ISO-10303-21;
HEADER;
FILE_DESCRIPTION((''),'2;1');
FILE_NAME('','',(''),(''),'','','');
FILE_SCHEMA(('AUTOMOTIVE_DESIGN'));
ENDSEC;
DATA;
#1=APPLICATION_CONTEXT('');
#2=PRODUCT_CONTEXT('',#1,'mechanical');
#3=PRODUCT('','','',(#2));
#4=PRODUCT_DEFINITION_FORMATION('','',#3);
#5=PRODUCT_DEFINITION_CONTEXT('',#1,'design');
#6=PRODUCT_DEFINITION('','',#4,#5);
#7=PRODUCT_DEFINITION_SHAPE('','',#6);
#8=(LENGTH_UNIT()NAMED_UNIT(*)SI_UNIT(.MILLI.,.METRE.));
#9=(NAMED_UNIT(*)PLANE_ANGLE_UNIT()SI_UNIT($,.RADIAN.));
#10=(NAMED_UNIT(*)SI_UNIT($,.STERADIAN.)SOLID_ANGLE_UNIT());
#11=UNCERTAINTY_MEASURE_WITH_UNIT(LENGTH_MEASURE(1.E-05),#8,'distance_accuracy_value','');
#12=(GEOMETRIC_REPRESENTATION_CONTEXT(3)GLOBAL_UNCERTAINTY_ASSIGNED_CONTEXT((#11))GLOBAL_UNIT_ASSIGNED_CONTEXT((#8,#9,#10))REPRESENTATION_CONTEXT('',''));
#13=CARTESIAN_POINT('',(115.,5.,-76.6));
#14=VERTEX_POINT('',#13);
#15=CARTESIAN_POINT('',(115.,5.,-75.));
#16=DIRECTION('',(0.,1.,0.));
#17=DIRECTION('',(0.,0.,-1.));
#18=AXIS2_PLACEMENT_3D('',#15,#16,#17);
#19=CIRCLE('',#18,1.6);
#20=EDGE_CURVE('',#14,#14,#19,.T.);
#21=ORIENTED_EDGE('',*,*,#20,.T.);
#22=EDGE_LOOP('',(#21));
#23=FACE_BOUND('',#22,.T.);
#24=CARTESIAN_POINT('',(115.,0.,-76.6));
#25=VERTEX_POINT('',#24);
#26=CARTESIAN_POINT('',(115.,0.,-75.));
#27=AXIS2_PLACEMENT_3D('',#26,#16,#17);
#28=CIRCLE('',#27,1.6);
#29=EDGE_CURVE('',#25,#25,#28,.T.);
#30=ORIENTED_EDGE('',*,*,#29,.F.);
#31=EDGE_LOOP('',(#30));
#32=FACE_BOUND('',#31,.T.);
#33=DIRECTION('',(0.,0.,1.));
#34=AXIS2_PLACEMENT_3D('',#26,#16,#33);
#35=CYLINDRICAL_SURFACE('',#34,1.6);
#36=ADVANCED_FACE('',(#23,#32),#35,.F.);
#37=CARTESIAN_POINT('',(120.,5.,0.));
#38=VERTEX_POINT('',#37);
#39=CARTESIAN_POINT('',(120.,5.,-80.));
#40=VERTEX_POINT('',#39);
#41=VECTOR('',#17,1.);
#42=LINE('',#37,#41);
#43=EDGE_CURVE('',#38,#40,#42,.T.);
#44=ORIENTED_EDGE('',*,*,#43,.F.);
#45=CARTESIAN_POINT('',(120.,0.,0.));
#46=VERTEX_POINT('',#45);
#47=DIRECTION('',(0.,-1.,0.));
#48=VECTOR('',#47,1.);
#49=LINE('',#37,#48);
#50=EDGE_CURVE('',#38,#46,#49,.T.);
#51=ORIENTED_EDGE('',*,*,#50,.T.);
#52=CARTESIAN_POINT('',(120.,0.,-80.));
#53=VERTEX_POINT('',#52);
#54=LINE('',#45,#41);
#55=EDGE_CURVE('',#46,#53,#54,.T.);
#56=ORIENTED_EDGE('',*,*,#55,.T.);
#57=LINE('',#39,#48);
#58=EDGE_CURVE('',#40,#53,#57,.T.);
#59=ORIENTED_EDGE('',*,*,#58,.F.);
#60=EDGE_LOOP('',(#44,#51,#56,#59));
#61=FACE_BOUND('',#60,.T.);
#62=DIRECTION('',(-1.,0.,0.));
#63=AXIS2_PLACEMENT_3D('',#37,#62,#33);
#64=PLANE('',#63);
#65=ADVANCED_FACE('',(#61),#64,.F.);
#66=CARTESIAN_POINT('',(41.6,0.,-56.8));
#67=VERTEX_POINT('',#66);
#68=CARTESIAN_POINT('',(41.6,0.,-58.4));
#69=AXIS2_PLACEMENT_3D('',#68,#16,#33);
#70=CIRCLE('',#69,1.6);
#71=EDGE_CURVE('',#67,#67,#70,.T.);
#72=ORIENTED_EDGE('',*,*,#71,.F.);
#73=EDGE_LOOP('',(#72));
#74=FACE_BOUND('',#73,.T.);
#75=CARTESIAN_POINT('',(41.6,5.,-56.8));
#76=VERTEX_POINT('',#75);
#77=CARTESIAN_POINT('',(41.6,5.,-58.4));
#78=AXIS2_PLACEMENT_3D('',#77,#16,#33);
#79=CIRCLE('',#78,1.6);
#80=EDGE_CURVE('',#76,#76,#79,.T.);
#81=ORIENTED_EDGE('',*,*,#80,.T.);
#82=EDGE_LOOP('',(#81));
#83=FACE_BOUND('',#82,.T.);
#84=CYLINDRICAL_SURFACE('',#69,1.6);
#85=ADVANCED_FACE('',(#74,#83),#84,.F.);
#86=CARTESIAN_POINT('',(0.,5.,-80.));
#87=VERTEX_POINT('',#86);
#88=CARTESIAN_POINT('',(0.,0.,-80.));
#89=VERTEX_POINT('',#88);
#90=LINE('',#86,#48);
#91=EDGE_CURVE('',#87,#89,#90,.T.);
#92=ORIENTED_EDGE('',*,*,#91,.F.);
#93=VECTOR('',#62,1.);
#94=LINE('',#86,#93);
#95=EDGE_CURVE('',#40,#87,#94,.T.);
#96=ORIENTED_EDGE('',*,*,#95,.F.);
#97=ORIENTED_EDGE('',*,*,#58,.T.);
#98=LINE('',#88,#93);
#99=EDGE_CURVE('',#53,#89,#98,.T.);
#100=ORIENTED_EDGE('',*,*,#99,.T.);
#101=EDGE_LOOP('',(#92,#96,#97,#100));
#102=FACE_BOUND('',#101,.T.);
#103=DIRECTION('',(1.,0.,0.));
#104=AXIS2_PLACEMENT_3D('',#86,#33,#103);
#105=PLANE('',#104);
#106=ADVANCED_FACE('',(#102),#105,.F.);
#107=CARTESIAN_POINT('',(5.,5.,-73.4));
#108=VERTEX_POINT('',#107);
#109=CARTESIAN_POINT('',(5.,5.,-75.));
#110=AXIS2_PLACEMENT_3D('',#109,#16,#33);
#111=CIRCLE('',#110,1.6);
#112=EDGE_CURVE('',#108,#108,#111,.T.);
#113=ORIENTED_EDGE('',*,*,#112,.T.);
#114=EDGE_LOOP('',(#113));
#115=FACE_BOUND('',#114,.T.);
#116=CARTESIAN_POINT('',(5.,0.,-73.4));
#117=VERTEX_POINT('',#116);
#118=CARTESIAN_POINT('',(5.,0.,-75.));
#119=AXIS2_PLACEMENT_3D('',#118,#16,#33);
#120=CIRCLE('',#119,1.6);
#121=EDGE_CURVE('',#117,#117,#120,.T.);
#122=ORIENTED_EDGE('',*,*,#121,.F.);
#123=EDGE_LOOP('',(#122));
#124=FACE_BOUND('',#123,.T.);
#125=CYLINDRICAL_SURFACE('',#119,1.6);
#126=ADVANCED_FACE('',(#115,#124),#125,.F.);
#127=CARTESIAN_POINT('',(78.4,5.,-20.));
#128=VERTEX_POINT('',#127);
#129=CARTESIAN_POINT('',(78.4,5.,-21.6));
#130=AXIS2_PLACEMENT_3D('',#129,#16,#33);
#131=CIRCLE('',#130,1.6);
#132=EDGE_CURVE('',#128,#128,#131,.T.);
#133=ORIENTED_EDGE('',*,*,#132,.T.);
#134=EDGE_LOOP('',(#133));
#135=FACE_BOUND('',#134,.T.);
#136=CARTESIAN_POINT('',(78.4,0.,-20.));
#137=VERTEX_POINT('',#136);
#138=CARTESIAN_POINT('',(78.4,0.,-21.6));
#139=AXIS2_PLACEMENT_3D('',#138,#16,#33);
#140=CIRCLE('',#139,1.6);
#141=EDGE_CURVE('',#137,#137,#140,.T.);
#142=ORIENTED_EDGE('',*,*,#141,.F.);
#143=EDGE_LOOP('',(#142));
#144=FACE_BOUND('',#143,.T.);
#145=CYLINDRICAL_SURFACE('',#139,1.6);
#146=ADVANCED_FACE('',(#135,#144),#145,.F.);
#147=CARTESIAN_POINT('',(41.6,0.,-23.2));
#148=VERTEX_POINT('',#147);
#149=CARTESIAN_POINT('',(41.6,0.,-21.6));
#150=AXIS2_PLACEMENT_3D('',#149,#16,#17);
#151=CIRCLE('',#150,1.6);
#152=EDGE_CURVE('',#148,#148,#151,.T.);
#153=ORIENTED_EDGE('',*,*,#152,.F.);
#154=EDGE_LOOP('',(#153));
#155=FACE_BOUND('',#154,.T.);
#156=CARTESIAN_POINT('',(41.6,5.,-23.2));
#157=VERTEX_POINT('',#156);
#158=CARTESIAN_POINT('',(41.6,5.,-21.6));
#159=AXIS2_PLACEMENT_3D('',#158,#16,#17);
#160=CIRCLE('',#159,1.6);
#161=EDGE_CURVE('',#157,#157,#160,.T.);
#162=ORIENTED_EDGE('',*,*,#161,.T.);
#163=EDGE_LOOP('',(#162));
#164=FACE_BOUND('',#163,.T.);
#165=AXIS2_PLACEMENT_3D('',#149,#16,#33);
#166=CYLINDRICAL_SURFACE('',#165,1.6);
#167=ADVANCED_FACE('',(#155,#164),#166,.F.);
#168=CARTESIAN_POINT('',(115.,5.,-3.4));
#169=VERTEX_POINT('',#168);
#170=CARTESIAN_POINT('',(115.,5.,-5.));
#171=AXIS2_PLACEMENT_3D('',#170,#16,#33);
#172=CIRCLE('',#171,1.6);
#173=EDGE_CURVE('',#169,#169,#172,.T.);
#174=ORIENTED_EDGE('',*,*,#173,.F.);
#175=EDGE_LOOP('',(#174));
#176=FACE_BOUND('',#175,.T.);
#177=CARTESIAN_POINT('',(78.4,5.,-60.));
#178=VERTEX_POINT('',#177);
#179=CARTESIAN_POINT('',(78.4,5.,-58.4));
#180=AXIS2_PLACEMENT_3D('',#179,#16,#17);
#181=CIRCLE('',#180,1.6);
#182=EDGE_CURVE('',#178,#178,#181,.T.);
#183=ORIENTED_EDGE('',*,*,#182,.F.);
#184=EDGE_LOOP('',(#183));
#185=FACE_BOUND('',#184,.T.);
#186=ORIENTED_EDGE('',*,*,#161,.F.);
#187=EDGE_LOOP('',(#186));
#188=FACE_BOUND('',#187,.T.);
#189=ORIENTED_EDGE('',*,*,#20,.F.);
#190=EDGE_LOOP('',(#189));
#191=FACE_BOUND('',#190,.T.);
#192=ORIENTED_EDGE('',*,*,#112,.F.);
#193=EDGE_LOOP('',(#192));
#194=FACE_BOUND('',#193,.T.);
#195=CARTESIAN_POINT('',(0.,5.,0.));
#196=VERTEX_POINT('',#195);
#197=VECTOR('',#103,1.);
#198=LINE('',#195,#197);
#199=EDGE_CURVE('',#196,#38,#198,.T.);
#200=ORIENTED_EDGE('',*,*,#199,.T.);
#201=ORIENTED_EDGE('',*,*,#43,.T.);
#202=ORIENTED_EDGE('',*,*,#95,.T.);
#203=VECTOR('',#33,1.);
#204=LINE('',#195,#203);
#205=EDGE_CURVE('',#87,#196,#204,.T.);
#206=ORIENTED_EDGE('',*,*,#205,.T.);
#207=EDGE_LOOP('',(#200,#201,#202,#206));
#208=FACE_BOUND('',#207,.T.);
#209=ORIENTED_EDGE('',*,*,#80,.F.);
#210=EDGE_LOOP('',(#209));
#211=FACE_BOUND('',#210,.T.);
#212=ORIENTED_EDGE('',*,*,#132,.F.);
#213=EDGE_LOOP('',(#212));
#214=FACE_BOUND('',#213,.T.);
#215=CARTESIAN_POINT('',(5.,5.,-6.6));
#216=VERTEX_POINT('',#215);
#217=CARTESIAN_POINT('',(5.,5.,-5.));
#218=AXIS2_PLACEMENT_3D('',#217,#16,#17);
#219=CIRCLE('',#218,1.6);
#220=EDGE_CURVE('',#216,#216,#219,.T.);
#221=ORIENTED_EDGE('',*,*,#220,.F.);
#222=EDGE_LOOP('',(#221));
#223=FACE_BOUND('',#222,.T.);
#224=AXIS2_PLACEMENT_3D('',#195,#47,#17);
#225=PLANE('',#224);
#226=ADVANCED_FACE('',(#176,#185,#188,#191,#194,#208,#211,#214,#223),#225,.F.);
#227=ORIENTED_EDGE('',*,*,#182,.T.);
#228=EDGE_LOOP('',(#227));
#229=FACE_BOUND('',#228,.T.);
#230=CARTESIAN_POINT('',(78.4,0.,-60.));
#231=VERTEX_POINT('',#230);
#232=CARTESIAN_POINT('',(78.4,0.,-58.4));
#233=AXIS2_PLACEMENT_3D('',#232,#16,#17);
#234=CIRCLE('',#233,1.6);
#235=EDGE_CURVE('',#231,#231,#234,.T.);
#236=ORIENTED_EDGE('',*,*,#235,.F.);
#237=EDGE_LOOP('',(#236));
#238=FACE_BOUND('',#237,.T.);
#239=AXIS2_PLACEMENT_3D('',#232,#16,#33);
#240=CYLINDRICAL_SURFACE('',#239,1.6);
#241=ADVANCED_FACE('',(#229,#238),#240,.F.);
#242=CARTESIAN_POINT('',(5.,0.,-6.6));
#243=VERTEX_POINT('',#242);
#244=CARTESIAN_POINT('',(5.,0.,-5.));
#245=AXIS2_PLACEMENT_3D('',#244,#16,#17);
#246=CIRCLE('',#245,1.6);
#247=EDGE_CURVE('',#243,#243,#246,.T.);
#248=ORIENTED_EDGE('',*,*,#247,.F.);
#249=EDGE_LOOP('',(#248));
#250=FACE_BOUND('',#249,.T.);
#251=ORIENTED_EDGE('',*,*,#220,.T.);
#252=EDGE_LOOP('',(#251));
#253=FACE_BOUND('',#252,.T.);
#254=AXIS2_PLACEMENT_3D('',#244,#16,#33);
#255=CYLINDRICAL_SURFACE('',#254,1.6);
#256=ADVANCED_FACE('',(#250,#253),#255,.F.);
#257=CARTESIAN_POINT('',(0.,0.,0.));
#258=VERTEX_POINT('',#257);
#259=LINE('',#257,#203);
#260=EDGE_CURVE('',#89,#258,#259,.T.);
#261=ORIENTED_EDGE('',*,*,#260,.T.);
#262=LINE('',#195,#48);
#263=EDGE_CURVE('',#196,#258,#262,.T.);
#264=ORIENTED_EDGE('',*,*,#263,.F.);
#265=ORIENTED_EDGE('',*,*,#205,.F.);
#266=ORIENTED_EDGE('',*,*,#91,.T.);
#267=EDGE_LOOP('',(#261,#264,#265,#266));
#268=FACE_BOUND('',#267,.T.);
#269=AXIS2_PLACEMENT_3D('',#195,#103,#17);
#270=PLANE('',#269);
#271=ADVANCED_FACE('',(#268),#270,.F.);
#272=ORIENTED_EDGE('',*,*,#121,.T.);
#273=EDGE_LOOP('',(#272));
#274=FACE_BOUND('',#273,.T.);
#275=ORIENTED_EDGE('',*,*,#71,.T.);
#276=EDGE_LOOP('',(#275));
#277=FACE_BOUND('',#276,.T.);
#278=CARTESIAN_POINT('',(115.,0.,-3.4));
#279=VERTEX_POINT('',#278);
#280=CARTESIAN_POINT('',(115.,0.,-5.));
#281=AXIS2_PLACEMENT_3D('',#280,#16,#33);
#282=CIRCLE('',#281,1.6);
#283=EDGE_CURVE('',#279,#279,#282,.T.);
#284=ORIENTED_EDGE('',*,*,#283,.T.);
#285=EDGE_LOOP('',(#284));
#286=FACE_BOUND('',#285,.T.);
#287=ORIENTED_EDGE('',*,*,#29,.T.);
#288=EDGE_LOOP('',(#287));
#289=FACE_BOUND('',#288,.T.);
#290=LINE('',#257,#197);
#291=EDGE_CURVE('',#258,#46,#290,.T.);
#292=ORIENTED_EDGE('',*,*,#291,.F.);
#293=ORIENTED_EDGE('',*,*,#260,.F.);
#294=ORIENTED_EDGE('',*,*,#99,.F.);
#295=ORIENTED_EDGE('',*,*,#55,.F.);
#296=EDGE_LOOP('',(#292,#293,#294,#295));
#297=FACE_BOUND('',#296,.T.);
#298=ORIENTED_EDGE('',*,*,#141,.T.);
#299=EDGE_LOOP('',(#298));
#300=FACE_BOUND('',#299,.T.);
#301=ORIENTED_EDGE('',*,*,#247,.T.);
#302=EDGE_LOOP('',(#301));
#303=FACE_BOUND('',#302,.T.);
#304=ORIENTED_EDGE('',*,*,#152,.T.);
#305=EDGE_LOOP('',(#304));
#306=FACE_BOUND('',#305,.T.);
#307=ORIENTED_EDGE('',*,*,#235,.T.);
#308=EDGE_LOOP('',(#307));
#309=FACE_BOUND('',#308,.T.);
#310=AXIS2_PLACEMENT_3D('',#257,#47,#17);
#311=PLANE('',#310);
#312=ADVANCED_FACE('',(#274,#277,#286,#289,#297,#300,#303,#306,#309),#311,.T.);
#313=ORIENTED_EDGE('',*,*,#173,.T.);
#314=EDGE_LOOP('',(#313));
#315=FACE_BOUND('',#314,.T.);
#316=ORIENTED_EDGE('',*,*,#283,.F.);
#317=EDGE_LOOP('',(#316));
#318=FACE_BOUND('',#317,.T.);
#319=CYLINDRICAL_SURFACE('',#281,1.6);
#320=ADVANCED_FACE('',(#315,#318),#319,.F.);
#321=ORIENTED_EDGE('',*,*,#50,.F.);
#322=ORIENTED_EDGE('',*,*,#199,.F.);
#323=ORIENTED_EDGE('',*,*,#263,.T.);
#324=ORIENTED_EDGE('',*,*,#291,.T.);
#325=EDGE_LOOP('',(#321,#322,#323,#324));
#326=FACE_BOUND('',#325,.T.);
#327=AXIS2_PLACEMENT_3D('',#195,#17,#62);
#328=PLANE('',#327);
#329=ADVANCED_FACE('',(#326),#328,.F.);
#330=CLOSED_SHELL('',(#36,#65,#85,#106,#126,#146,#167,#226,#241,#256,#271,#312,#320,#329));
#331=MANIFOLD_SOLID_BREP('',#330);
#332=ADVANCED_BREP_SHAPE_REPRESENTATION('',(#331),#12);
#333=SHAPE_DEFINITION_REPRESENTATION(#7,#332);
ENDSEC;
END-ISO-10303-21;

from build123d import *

# Parameters (mm, degrees)
ESQUISSE1_W             = 120
ESQUISSE1_H             = 80
BOSS_EXTRU_1_DEPTH      = 5
ESQUISSE2_R             = 1.6
ENL_V_MAT_EXTRU_1_DEPTH = 145.308696897


with BuildPart() as part:
    # Esquisse1 → Boss.-Extru.1 (new body)
    with BuildSketch(Plane(origin=(0, 0, 0), x_dir=(1, 0, 0), z_dir=(0, 1, 0))):
        with Locations((60, 40)):
            Rectangle(ESQUISSE1_W, ESQUISSE1_H)
    extrude(amount=BOSS_EXTRU_1_DEPTH)

    # Esquisse2 → Enlèv. mat.-Extru.1 (cut, through all)
    with BuildSketch(Plane(origin=(0, 5, 0), x_dir=(1, 0, 0), z_dir=(0, 1, 0))):
        with Locations(Location((5, 75, 0), (0, 0, 270))):
            Circle(ESQUISSE2_R)
        with Locations(Location((115, 75, 0), (0, 0, 90))):
            Circle(ESQUISSE2_R)
        with Locations(Location((115, 5, 0), (0, 0, 270))):
            Circle(ESQUISSE2_R)
        with Locations(Location((5, 5, 0), (0, 0, 90))):
            Circle(ESQUISSE2_R)
        with Locations(Location((41.6, 58.4, 0), (0, 0, 270))):
            Circle(ESQUISSE2_R)
        with Locations(Location((41.6, 21.6, 0), (0, 0, 90))):
            Circle(ESQUISSE2_R)
        with Locations(Location((78.4, 21.6, 0), (0, 0, 270))):
            Circle(ESQUISSE2_R)
        with Locations(Location((78.4, 58.4, 0), (0, 0, 90))):
            Circle(ESQUISSE2_R)
    extrude(amount=-ENL_V_MAT_EXTRU_1_DEPTH, mode=Mode.SUBTRACT)


solid = part.part
